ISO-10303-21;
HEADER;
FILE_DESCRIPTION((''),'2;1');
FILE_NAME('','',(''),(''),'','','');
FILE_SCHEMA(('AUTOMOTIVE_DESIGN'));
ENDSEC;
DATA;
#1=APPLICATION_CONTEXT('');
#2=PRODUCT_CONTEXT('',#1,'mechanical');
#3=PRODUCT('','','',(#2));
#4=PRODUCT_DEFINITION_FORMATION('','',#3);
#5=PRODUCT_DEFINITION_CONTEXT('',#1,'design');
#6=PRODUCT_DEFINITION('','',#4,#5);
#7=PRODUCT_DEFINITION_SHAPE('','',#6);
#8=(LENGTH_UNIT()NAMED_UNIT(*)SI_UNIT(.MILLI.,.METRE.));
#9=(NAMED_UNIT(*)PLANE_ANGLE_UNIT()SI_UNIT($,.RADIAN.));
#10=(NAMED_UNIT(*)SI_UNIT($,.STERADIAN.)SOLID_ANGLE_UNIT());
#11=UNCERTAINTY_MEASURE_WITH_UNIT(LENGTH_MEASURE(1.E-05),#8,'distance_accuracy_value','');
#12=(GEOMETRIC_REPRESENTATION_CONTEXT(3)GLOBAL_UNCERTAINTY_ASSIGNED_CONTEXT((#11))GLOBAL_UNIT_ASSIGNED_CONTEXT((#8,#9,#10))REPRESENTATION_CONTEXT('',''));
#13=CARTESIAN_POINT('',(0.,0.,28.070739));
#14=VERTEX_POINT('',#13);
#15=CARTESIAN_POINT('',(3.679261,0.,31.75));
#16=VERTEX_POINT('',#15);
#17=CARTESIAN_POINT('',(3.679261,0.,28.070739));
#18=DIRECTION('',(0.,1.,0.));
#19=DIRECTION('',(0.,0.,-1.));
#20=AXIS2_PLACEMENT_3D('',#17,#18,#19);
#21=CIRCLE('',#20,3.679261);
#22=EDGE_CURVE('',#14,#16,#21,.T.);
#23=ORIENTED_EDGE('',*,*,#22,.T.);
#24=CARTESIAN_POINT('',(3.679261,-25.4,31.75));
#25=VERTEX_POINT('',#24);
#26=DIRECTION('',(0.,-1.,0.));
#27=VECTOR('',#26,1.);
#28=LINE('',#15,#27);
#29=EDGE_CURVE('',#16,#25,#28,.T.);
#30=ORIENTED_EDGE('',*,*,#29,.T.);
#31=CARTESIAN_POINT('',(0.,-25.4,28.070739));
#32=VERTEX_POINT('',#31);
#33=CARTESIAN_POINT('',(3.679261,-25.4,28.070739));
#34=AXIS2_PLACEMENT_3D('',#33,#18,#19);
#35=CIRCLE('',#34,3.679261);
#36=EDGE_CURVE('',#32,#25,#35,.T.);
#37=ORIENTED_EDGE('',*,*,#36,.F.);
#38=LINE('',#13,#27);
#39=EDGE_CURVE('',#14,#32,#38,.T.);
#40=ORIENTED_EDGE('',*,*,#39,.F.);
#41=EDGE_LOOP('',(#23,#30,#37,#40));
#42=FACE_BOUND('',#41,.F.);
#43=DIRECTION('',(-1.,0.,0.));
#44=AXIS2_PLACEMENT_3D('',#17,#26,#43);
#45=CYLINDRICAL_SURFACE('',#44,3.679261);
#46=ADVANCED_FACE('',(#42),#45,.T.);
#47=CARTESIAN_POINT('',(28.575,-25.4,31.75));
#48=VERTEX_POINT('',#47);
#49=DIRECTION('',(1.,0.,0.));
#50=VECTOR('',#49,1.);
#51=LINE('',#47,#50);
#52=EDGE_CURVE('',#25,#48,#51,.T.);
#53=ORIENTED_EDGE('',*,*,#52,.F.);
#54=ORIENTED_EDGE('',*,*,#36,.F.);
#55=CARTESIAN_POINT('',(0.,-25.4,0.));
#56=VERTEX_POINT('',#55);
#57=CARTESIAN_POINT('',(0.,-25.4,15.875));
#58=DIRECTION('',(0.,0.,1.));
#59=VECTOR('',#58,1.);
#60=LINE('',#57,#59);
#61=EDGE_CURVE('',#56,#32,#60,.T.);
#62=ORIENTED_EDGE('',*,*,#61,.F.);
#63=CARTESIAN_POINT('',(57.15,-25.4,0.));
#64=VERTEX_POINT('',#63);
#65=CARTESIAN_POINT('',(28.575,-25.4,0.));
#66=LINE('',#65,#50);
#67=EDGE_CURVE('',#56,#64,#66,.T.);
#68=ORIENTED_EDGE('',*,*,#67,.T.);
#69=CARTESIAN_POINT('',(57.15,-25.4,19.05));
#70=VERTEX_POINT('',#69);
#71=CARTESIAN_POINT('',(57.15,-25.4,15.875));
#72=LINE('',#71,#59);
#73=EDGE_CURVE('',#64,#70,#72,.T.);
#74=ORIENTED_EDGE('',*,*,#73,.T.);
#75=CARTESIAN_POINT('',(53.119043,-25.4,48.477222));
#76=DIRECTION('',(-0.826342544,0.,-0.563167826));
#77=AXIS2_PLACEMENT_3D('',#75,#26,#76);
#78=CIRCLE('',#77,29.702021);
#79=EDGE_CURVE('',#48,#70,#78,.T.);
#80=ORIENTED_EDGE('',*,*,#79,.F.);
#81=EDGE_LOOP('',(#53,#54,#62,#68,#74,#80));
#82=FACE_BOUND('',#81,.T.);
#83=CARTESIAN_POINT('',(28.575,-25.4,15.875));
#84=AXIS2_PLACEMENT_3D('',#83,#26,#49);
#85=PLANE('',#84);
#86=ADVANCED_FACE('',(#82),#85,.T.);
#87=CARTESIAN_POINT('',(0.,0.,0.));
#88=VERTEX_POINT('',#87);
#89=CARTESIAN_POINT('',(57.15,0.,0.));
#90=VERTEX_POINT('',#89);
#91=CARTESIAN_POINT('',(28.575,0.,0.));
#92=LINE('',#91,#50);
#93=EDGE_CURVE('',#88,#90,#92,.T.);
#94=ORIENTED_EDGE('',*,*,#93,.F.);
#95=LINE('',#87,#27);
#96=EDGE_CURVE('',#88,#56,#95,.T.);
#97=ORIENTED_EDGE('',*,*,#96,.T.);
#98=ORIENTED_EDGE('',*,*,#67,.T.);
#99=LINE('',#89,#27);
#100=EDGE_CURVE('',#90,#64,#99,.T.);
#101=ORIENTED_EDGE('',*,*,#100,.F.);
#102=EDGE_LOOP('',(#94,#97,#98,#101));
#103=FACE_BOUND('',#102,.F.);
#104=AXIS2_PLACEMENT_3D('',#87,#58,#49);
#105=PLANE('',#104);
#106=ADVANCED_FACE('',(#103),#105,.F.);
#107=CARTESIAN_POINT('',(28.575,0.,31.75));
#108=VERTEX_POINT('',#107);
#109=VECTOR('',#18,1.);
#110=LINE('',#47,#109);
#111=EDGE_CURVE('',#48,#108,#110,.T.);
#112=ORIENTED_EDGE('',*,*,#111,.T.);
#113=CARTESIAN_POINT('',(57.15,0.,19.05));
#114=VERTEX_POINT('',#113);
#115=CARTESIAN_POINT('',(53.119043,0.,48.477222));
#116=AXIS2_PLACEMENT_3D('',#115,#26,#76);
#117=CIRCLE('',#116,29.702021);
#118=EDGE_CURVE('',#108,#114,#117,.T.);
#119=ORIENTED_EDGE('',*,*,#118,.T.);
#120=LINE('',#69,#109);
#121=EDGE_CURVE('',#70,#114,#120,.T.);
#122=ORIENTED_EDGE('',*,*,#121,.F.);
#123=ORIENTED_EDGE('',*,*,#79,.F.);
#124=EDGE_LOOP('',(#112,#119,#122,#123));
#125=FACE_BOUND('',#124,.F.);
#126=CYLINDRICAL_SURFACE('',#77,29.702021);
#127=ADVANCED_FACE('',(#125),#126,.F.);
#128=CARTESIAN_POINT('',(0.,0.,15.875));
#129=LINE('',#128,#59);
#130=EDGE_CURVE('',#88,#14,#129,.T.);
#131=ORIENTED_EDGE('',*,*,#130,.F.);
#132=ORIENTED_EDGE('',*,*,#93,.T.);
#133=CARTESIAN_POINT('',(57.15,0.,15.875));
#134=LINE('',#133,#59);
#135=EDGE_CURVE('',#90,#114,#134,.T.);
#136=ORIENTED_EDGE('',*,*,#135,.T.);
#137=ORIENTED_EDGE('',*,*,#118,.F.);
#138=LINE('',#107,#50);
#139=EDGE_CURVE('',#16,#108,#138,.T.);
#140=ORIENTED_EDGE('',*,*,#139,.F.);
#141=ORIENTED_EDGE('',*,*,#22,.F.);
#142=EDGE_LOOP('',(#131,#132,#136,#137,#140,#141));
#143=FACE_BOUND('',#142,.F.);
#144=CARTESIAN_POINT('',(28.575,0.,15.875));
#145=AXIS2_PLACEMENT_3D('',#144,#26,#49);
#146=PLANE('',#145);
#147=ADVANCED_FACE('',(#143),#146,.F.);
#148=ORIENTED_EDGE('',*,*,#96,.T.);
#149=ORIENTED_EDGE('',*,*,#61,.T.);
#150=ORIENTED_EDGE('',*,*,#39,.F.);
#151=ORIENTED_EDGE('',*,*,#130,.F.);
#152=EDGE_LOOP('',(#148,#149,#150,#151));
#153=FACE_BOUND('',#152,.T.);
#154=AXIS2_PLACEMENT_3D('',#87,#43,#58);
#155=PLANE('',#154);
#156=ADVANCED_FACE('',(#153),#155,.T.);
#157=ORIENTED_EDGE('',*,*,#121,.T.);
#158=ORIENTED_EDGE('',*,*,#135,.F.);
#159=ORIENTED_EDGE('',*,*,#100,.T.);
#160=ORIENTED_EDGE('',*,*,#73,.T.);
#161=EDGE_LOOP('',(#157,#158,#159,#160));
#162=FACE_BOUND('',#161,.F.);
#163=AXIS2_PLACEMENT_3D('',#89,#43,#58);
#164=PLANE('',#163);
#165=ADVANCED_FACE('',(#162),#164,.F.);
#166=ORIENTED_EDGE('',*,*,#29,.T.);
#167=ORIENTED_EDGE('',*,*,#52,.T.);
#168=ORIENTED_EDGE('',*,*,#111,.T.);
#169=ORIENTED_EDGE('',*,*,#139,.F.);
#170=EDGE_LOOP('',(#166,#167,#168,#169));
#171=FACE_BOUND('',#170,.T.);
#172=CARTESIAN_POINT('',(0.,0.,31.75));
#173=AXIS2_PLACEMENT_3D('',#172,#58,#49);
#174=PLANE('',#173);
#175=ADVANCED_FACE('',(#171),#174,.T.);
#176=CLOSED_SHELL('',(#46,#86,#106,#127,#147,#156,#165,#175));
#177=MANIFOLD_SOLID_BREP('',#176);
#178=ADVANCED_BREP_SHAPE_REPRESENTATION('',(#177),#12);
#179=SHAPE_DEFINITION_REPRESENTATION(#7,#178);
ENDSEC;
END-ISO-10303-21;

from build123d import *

# Parameters (mm, degrees)
F0_W     = 57.15
F0_H     = 31.75
F1_DEPTH = 25.4
F3_DEPTH = 25.4
F4_R     = 3.679261


with BuildPart() as f1:
    # F0 (on Front) → F1 (new body)
    with BuildSketch(Plane.XZ):
        with Locations((28.575, 15.875)):
            Rectangle(F0_W, F0_H)
    extrude(amount=F1_DEPTH)

    # F2 (on face) → F3 (cut)
    with BuildSketch(Plane.XZ.offset(25.4)):
        with BuildLine():
            Line((57.15, 31.75), (28.575, 31.75))
            ThreePointArc((28.575, 31.75), (41.05591, 21.335173), (57.15, 19.05))
            Line((57.15, 19.05), (57.15, 31.75))
        make_face()
    extrude(amount=-F3_DEPTH, mode=Mode.SUBTRACT)

    # F4
    f4_edges = [f1.edges().sort_by_distance(p)[0] for p in [
        (0, -12.7, 31.75),
    ]]
    fillet(f4_edges, radius=F4_R)


solid = f1.part
